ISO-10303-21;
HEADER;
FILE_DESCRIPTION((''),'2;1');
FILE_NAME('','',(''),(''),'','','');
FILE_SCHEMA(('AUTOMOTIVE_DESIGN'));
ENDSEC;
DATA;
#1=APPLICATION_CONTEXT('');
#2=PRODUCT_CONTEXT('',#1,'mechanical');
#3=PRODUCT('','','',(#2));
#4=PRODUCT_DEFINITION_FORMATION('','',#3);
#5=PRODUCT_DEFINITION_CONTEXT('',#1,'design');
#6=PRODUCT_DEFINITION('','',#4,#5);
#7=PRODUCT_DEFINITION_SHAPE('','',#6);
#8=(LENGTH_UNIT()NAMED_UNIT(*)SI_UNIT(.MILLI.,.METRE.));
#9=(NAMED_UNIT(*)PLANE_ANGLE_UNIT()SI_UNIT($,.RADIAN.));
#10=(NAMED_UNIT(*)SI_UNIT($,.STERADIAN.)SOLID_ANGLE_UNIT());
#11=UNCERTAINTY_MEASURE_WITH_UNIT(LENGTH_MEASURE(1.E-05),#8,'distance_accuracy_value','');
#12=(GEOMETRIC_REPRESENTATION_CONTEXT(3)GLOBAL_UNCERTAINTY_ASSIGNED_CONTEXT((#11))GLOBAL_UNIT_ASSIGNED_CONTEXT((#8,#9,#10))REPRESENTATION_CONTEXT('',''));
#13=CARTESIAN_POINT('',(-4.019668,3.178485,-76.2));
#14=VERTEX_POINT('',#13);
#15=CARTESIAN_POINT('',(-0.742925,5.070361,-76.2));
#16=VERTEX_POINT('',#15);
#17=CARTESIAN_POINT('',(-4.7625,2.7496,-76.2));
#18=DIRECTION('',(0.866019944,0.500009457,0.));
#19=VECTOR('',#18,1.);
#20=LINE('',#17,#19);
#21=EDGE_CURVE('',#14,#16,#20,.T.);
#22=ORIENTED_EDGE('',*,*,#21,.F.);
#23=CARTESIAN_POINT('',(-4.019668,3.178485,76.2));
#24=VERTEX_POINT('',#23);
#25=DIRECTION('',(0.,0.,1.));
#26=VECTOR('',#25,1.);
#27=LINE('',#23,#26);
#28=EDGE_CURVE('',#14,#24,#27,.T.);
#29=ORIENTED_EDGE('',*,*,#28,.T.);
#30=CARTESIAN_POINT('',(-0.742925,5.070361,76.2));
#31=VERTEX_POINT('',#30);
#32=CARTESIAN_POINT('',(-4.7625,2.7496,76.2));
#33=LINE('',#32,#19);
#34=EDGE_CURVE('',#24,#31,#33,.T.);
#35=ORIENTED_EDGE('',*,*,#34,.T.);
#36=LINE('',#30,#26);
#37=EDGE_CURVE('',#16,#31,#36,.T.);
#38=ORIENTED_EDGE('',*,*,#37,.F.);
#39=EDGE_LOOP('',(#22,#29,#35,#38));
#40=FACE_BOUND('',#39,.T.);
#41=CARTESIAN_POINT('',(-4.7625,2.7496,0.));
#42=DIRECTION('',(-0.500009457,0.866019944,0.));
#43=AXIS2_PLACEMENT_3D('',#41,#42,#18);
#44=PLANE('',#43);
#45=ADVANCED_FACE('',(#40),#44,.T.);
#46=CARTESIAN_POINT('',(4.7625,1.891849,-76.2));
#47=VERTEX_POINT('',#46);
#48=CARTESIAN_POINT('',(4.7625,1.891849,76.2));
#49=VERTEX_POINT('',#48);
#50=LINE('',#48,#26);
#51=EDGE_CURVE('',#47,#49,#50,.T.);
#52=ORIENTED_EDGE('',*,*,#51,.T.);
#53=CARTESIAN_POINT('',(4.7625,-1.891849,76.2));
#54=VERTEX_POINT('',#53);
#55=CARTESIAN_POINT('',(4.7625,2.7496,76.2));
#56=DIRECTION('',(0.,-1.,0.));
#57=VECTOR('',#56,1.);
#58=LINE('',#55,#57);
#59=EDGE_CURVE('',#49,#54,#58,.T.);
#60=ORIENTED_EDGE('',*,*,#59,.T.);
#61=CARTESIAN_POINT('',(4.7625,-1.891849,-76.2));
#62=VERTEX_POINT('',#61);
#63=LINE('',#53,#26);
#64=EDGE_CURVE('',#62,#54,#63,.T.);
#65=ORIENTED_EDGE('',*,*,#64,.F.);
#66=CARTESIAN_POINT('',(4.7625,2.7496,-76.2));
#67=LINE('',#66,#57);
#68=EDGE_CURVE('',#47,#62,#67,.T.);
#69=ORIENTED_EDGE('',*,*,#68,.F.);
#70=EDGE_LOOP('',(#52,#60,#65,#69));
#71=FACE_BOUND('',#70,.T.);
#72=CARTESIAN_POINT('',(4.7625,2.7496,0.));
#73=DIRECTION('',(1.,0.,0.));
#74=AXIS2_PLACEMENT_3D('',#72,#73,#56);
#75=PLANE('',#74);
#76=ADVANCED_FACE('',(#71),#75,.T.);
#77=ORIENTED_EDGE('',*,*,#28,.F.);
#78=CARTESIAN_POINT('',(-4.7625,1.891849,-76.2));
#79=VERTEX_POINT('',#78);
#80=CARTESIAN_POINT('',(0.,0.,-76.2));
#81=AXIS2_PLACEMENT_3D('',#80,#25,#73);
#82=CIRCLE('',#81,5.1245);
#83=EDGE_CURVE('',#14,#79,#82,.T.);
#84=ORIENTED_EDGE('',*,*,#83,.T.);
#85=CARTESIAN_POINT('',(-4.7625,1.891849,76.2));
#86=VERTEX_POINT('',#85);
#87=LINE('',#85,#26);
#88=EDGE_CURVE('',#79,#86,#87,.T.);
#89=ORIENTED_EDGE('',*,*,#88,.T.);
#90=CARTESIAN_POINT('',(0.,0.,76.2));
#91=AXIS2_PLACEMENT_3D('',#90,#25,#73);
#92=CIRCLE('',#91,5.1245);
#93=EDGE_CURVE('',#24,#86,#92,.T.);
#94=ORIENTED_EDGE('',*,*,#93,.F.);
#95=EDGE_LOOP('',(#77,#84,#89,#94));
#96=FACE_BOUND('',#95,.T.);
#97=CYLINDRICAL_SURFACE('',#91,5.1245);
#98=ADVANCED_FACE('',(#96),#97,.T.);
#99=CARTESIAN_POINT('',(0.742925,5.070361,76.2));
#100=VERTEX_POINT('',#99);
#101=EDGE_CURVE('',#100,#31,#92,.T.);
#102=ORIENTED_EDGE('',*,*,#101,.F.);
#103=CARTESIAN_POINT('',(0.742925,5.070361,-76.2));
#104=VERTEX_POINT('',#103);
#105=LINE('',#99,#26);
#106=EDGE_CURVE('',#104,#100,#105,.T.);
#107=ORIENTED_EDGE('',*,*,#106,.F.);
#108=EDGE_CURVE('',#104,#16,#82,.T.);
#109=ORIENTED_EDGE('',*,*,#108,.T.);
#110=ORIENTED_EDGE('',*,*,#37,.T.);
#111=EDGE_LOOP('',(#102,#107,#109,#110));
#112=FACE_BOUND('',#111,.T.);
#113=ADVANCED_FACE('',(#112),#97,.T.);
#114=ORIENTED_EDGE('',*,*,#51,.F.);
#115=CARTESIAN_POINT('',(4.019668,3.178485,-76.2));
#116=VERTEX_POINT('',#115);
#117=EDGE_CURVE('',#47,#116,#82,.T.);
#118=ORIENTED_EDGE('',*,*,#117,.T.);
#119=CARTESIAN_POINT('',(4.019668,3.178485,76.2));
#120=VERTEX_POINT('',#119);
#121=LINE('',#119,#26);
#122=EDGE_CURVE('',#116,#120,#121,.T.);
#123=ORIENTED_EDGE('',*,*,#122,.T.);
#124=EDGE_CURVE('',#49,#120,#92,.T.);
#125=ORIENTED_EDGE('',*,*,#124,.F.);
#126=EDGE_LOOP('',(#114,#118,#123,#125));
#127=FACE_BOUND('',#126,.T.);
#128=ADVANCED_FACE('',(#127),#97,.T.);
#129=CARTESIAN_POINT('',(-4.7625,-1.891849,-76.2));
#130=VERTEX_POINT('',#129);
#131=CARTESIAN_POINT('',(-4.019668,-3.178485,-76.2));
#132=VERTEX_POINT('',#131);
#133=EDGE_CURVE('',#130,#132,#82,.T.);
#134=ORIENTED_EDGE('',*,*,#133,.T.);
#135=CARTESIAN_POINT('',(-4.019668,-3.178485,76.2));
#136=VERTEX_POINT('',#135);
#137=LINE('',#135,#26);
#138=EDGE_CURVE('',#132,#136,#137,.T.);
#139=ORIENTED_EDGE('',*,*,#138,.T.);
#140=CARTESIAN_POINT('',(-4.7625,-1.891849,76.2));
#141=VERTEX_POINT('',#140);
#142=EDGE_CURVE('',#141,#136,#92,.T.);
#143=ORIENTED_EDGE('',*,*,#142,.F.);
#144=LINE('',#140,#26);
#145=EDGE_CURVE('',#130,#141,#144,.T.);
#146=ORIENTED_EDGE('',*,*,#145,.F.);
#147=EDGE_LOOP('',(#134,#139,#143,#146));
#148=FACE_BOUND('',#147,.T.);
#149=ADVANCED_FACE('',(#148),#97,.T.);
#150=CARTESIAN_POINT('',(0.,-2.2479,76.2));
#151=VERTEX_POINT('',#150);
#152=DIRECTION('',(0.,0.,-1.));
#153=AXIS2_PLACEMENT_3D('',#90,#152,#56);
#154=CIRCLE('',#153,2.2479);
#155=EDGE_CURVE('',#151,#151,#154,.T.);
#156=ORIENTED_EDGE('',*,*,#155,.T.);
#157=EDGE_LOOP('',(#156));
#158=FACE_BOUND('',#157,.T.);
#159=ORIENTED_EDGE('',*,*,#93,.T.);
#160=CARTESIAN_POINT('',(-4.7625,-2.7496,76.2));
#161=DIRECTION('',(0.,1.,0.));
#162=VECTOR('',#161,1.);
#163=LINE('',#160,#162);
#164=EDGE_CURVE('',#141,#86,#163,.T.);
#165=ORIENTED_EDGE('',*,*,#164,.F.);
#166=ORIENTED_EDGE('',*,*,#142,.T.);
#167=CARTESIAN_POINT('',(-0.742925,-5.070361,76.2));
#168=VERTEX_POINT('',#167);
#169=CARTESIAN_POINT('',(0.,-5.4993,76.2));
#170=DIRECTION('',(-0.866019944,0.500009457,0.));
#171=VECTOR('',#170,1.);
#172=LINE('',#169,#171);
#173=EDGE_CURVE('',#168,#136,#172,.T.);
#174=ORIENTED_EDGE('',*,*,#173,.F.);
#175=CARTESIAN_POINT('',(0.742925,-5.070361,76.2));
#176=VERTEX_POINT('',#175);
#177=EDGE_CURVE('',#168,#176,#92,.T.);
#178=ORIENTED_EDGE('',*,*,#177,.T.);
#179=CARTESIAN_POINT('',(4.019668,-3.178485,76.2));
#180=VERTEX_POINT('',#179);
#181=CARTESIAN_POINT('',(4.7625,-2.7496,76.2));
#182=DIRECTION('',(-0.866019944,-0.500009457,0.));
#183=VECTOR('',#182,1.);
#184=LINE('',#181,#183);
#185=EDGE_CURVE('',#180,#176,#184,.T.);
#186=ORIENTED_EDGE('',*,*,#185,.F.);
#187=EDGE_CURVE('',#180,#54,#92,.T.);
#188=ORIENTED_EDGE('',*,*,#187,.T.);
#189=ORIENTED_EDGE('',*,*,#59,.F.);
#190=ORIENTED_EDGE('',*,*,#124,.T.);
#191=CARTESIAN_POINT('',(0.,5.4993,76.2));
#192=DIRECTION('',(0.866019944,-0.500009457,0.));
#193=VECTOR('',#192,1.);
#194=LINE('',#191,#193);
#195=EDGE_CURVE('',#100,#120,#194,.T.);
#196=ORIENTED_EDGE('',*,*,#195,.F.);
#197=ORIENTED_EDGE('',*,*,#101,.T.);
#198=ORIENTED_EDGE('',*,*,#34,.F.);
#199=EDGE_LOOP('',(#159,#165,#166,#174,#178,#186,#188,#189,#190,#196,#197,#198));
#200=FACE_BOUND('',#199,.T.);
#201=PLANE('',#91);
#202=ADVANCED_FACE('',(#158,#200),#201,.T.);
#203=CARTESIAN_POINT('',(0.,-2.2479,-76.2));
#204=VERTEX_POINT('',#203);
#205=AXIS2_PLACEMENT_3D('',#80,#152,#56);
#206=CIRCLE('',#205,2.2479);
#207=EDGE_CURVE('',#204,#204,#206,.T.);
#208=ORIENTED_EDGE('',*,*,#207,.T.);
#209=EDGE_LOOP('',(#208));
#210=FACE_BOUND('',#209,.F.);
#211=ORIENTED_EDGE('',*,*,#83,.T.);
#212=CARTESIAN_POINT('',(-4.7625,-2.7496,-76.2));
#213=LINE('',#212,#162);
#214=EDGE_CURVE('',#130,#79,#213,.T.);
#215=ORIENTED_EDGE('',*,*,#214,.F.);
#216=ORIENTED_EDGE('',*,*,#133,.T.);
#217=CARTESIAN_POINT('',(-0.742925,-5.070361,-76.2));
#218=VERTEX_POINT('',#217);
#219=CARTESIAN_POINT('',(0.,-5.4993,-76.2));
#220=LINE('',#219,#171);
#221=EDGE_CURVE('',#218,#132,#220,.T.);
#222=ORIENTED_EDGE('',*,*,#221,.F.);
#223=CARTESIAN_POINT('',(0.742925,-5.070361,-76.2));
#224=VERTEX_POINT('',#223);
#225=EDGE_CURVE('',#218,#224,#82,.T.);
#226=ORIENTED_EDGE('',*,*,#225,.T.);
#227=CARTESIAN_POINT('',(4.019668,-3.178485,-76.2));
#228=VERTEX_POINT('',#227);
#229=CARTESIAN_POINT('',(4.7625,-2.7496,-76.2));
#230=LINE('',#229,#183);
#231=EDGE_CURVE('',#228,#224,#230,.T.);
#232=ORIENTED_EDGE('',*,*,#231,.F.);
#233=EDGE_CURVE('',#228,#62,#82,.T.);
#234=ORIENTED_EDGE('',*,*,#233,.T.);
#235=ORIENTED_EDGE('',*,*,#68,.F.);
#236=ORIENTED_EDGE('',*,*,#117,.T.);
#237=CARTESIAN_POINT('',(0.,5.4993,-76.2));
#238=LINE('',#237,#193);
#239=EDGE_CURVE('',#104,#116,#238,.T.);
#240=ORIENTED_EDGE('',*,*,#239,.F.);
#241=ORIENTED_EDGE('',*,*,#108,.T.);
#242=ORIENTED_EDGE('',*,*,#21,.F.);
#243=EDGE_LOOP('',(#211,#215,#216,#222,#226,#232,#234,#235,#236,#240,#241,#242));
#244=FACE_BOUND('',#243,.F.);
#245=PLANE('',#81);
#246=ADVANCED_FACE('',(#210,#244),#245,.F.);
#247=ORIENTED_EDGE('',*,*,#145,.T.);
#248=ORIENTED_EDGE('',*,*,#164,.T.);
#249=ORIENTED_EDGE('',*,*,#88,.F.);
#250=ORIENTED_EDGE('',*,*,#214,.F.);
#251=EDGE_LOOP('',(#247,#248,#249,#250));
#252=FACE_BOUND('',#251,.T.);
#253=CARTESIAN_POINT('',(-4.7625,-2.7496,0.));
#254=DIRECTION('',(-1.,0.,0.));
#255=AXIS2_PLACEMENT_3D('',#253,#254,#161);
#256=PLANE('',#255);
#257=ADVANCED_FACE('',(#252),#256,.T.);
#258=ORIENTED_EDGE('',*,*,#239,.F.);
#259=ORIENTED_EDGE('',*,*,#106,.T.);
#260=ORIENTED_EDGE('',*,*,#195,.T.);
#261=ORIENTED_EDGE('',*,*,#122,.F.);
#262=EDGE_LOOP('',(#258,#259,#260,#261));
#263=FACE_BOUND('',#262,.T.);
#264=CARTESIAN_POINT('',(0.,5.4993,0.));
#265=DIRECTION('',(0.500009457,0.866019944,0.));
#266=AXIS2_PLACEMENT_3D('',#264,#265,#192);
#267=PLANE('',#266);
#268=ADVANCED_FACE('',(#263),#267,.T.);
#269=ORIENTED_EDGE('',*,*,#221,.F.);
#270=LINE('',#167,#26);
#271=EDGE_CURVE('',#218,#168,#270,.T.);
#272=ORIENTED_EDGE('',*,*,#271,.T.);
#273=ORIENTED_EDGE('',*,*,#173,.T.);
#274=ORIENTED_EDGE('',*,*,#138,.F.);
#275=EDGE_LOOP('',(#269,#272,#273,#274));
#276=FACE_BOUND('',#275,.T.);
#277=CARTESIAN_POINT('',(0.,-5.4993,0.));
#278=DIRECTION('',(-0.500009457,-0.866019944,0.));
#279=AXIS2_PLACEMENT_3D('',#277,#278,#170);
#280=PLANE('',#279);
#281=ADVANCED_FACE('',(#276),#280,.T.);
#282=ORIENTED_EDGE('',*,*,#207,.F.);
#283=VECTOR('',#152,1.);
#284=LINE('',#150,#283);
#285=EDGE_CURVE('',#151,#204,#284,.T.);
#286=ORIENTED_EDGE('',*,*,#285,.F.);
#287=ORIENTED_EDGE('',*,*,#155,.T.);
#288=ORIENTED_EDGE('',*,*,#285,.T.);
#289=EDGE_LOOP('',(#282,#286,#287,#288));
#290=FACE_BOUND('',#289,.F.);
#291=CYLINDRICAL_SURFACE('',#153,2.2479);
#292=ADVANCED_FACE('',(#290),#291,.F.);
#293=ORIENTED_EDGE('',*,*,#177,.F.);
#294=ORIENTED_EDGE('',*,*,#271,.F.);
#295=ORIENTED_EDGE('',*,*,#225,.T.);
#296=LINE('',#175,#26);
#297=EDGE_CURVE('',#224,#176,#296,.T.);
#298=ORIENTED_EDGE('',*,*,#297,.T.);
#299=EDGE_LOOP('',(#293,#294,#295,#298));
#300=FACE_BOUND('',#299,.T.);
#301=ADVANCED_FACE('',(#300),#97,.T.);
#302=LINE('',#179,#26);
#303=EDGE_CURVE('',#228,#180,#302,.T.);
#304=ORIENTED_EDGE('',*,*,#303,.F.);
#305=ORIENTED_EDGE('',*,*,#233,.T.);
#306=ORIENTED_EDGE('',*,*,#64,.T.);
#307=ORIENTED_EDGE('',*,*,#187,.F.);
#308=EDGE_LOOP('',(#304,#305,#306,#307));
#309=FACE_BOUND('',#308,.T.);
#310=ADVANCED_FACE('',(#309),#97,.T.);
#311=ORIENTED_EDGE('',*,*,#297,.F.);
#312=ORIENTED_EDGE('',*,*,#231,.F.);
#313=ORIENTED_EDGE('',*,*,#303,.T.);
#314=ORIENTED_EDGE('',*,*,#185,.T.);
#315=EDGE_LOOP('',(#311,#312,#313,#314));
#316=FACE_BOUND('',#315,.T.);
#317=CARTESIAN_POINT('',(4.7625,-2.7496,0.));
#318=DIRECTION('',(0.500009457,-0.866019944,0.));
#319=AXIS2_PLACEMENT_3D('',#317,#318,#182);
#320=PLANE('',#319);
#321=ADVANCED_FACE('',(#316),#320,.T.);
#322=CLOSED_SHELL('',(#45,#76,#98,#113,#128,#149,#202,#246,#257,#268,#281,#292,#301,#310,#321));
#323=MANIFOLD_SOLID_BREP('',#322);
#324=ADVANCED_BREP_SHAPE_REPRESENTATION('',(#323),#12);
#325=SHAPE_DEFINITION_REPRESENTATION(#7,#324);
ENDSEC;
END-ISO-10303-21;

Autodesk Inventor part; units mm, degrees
ref_plane "YZ Plane" through (0, 0, 0) normal (1, 0, 0) x (0, 1, 0)
ref_plane "XZ Plane" through (0, 0, 0) normal (0, 1, 0) x (-1, 0, 0)
ref_plane "XY Plane" through (0, 0, 0) normal (0, 0, 1) x (1, 0, 0)
sketch "Sketch1" plane through (0, 0, 0) normal (0, 0, 1) x (1, 0, 0)
  line L0 (-4.7625, -2.7496) -> (-4.7625, 2.7496)
  line L1 (-4.7625, 2.7496) -> (0, 5.4993)
  line L2 (0, 5.4993) -> (4.7625, 2.7496)
  line L3 (4.7625, 2.7496) -> (4.7625, -2.7496)
  line L4 (4.7625, -2.7496) -> (0, -5.4993)
  line L5 (0, -5.4993) -> (-4.7625, -2.7496)
  point P0 (0, 0)
  point P1 (0, 0)
  dimension "Size" = 9.525
extrude "Extrusion1" add sketch "Sketch1" along normal mid plane 152.4
sketch "Sketch3" plane through (0, 0, 76.2) normal (0, 0, 1) x (1, 0, 0)
  line L0 (-4.7625, 2.7496) -> (0, 5.4993) construction
  line L1 (0, 5.4993) -> (4.7625, 2.7496) construction
  line L2 (4.7625, 2.7496) -> (4.7625, -2.7496) construction
  line L3 (4.7625, -2.7496) -> (0, -5.4993) construction
  line L4 (0, -5.4993) -> (-4.7625, -2.7496) construction
  line L5 (-4.7625, -2.7496) -> (-4.7625, 2.7496) construction
  point P0 (0, 0)
hole "Hole1" at (0, 0, 76.2) direction (0, 0, -1) diameter 4.4958 end through all
sketch "Sketch4" plane through (0, 0, 76.2) normal (0, 0, 1) x (1, 0, 0)
  circle A0 centre (0, 0) radius 2.2479 construction
  line L0 (-4.7625, 2.7496) -> (0, 5.4993) construction
  line L1 (0, 5.4993) -> (4.7625, 2.7496) construction
  line L2 (4.7625, 2.7496) -> (4.7625, -2.7496) construction
  line L3 (4.7625, -2.7496) -> (0, -5.4993) construction
  line L4 (0, -5.4993) -> (-4.7625, -2.7496) construction
  line L5 (-4.7625, -2.7496) -> (-4.7625, 2.7496) construction
  circle A1 centre (0, 0) radius 5.1245
  circle A2 centre (0, 0) radius 8.89
  dimension "thunder" = 10.2489
  dimension "d16" = 17.78
extrude "Extrusion3" cut sketch "Sketch4" against normal through all
equation "\"bearing\" = 25.4"
properties part number ".375_ThunderHex" material "Aluminum 6061"
